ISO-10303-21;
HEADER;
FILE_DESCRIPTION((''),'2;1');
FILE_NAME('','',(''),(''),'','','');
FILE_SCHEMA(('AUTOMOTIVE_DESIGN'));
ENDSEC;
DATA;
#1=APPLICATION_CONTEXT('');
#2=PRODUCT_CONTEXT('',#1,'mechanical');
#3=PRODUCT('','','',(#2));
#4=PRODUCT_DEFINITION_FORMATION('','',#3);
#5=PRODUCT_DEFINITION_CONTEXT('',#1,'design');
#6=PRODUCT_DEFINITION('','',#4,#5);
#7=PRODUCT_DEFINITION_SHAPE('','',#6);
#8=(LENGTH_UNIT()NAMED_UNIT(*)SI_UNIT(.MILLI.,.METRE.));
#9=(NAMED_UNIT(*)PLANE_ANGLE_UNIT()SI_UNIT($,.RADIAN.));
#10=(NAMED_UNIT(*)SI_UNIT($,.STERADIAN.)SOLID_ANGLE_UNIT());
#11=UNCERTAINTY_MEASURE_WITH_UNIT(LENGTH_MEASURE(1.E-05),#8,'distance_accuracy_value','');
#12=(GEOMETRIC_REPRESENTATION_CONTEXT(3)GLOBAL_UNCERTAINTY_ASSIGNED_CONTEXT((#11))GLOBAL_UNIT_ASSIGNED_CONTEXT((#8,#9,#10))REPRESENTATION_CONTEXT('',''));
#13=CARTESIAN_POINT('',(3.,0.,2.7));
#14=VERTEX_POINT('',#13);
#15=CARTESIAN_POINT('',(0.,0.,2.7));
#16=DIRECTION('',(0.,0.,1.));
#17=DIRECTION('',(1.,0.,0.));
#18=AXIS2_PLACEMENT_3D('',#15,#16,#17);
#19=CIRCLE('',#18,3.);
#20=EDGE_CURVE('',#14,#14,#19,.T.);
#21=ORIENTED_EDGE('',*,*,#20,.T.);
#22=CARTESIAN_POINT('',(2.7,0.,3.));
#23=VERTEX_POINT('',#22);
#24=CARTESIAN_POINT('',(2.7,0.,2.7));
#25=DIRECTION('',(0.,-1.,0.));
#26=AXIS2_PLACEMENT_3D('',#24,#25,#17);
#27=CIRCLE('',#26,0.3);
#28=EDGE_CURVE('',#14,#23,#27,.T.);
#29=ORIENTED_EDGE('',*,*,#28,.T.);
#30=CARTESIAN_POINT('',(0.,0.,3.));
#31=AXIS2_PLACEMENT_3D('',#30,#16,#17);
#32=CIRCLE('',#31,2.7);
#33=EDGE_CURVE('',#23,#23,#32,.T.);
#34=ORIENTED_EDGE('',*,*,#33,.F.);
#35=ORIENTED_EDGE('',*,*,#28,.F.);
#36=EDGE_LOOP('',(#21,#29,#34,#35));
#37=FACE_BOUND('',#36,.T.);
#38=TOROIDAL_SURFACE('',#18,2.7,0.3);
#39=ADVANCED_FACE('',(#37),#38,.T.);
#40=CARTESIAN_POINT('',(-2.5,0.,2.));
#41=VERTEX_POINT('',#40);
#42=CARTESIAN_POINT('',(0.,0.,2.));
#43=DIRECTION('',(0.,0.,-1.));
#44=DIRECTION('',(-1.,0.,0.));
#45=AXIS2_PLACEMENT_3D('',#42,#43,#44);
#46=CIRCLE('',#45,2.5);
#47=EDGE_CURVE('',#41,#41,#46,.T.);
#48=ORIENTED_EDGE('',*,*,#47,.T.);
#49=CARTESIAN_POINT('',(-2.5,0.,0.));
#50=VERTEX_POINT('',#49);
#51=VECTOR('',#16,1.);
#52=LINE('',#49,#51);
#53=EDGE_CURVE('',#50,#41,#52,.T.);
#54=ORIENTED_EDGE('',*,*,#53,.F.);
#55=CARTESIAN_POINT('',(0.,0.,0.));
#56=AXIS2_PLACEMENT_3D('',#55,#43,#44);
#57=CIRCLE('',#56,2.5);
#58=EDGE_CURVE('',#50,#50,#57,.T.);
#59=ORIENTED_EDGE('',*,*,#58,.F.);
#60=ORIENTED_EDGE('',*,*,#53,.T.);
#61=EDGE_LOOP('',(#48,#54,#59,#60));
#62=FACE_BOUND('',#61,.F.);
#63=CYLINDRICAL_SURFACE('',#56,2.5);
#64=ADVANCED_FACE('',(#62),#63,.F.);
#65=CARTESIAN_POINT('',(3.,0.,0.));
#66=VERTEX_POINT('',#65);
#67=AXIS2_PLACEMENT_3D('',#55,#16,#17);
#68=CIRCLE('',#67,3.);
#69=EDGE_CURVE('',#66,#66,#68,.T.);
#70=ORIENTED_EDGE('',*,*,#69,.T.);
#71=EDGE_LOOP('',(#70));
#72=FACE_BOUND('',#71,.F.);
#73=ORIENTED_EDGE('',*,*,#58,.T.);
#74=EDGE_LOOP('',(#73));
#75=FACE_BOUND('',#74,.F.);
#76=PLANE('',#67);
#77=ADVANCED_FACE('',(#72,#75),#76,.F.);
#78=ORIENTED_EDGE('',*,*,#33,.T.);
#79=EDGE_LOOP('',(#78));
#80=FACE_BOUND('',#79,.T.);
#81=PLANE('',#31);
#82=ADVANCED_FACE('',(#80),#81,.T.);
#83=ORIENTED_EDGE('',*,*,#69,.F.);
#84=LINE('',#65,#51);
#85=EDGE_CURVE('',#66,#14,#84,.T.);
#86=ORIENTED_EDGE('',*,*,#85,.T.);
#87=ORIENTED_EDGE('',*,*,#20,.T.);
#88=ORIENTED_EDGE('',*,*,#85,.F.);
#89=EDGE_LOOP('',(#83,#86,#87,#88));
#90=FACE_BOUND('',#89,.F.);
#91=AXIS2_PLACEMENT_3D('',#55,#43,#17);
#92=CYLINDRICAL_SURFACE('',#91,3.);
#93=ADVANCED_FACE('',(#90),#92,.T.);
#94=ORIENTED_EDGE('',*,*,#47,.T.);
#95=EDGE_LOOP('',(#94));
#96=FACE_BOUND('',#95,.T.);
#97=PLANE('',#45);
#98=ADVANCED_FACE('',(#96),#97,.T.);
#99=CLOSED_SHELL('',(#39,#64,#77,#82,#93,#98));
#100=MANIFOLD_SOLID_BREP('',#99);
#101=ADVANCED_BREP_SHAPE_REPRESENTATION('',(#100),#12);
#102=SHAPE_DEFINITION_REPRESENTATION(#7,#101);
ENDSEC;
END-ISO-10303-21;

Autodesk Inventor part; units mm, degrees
ref_plane "Plan YZ" through (0, 0, 0) normal (1, 0, 0) x (0, 1, 0)
ref_plane "Plan XZ" through (0, 0, 0) normal (0, 1, 0) x (-1, 0, 0)
ref_plane "Plan XY" through (0, 0, 0) normal (0, 0, 1) x (1, 0, 0)
sketch "Esquisse1" plane through (0, 0, 0) normal (0, 0, 1) x (1, 0, 0)
  circle A0 centre (0, 0) radius 3
  dimension "d0" = 6
extrude "Extrusion1" add sketch "Esquisse1" along normal blind 3
fillet "Congé1" radius 0.3 1 edges at (-3, 0, 3)
sketch "Esquisse6" plane through (0, 0, 0) normal (0, 0, -1) x (-1, 0, 0)
  circle A0 centre (0, 0) radius 2.5
  dimension "d4" = 5
extrude "Extrusion2" cut sketch "Esquisse6" against normal blind 2
properties part number "Capuchon" material "."
